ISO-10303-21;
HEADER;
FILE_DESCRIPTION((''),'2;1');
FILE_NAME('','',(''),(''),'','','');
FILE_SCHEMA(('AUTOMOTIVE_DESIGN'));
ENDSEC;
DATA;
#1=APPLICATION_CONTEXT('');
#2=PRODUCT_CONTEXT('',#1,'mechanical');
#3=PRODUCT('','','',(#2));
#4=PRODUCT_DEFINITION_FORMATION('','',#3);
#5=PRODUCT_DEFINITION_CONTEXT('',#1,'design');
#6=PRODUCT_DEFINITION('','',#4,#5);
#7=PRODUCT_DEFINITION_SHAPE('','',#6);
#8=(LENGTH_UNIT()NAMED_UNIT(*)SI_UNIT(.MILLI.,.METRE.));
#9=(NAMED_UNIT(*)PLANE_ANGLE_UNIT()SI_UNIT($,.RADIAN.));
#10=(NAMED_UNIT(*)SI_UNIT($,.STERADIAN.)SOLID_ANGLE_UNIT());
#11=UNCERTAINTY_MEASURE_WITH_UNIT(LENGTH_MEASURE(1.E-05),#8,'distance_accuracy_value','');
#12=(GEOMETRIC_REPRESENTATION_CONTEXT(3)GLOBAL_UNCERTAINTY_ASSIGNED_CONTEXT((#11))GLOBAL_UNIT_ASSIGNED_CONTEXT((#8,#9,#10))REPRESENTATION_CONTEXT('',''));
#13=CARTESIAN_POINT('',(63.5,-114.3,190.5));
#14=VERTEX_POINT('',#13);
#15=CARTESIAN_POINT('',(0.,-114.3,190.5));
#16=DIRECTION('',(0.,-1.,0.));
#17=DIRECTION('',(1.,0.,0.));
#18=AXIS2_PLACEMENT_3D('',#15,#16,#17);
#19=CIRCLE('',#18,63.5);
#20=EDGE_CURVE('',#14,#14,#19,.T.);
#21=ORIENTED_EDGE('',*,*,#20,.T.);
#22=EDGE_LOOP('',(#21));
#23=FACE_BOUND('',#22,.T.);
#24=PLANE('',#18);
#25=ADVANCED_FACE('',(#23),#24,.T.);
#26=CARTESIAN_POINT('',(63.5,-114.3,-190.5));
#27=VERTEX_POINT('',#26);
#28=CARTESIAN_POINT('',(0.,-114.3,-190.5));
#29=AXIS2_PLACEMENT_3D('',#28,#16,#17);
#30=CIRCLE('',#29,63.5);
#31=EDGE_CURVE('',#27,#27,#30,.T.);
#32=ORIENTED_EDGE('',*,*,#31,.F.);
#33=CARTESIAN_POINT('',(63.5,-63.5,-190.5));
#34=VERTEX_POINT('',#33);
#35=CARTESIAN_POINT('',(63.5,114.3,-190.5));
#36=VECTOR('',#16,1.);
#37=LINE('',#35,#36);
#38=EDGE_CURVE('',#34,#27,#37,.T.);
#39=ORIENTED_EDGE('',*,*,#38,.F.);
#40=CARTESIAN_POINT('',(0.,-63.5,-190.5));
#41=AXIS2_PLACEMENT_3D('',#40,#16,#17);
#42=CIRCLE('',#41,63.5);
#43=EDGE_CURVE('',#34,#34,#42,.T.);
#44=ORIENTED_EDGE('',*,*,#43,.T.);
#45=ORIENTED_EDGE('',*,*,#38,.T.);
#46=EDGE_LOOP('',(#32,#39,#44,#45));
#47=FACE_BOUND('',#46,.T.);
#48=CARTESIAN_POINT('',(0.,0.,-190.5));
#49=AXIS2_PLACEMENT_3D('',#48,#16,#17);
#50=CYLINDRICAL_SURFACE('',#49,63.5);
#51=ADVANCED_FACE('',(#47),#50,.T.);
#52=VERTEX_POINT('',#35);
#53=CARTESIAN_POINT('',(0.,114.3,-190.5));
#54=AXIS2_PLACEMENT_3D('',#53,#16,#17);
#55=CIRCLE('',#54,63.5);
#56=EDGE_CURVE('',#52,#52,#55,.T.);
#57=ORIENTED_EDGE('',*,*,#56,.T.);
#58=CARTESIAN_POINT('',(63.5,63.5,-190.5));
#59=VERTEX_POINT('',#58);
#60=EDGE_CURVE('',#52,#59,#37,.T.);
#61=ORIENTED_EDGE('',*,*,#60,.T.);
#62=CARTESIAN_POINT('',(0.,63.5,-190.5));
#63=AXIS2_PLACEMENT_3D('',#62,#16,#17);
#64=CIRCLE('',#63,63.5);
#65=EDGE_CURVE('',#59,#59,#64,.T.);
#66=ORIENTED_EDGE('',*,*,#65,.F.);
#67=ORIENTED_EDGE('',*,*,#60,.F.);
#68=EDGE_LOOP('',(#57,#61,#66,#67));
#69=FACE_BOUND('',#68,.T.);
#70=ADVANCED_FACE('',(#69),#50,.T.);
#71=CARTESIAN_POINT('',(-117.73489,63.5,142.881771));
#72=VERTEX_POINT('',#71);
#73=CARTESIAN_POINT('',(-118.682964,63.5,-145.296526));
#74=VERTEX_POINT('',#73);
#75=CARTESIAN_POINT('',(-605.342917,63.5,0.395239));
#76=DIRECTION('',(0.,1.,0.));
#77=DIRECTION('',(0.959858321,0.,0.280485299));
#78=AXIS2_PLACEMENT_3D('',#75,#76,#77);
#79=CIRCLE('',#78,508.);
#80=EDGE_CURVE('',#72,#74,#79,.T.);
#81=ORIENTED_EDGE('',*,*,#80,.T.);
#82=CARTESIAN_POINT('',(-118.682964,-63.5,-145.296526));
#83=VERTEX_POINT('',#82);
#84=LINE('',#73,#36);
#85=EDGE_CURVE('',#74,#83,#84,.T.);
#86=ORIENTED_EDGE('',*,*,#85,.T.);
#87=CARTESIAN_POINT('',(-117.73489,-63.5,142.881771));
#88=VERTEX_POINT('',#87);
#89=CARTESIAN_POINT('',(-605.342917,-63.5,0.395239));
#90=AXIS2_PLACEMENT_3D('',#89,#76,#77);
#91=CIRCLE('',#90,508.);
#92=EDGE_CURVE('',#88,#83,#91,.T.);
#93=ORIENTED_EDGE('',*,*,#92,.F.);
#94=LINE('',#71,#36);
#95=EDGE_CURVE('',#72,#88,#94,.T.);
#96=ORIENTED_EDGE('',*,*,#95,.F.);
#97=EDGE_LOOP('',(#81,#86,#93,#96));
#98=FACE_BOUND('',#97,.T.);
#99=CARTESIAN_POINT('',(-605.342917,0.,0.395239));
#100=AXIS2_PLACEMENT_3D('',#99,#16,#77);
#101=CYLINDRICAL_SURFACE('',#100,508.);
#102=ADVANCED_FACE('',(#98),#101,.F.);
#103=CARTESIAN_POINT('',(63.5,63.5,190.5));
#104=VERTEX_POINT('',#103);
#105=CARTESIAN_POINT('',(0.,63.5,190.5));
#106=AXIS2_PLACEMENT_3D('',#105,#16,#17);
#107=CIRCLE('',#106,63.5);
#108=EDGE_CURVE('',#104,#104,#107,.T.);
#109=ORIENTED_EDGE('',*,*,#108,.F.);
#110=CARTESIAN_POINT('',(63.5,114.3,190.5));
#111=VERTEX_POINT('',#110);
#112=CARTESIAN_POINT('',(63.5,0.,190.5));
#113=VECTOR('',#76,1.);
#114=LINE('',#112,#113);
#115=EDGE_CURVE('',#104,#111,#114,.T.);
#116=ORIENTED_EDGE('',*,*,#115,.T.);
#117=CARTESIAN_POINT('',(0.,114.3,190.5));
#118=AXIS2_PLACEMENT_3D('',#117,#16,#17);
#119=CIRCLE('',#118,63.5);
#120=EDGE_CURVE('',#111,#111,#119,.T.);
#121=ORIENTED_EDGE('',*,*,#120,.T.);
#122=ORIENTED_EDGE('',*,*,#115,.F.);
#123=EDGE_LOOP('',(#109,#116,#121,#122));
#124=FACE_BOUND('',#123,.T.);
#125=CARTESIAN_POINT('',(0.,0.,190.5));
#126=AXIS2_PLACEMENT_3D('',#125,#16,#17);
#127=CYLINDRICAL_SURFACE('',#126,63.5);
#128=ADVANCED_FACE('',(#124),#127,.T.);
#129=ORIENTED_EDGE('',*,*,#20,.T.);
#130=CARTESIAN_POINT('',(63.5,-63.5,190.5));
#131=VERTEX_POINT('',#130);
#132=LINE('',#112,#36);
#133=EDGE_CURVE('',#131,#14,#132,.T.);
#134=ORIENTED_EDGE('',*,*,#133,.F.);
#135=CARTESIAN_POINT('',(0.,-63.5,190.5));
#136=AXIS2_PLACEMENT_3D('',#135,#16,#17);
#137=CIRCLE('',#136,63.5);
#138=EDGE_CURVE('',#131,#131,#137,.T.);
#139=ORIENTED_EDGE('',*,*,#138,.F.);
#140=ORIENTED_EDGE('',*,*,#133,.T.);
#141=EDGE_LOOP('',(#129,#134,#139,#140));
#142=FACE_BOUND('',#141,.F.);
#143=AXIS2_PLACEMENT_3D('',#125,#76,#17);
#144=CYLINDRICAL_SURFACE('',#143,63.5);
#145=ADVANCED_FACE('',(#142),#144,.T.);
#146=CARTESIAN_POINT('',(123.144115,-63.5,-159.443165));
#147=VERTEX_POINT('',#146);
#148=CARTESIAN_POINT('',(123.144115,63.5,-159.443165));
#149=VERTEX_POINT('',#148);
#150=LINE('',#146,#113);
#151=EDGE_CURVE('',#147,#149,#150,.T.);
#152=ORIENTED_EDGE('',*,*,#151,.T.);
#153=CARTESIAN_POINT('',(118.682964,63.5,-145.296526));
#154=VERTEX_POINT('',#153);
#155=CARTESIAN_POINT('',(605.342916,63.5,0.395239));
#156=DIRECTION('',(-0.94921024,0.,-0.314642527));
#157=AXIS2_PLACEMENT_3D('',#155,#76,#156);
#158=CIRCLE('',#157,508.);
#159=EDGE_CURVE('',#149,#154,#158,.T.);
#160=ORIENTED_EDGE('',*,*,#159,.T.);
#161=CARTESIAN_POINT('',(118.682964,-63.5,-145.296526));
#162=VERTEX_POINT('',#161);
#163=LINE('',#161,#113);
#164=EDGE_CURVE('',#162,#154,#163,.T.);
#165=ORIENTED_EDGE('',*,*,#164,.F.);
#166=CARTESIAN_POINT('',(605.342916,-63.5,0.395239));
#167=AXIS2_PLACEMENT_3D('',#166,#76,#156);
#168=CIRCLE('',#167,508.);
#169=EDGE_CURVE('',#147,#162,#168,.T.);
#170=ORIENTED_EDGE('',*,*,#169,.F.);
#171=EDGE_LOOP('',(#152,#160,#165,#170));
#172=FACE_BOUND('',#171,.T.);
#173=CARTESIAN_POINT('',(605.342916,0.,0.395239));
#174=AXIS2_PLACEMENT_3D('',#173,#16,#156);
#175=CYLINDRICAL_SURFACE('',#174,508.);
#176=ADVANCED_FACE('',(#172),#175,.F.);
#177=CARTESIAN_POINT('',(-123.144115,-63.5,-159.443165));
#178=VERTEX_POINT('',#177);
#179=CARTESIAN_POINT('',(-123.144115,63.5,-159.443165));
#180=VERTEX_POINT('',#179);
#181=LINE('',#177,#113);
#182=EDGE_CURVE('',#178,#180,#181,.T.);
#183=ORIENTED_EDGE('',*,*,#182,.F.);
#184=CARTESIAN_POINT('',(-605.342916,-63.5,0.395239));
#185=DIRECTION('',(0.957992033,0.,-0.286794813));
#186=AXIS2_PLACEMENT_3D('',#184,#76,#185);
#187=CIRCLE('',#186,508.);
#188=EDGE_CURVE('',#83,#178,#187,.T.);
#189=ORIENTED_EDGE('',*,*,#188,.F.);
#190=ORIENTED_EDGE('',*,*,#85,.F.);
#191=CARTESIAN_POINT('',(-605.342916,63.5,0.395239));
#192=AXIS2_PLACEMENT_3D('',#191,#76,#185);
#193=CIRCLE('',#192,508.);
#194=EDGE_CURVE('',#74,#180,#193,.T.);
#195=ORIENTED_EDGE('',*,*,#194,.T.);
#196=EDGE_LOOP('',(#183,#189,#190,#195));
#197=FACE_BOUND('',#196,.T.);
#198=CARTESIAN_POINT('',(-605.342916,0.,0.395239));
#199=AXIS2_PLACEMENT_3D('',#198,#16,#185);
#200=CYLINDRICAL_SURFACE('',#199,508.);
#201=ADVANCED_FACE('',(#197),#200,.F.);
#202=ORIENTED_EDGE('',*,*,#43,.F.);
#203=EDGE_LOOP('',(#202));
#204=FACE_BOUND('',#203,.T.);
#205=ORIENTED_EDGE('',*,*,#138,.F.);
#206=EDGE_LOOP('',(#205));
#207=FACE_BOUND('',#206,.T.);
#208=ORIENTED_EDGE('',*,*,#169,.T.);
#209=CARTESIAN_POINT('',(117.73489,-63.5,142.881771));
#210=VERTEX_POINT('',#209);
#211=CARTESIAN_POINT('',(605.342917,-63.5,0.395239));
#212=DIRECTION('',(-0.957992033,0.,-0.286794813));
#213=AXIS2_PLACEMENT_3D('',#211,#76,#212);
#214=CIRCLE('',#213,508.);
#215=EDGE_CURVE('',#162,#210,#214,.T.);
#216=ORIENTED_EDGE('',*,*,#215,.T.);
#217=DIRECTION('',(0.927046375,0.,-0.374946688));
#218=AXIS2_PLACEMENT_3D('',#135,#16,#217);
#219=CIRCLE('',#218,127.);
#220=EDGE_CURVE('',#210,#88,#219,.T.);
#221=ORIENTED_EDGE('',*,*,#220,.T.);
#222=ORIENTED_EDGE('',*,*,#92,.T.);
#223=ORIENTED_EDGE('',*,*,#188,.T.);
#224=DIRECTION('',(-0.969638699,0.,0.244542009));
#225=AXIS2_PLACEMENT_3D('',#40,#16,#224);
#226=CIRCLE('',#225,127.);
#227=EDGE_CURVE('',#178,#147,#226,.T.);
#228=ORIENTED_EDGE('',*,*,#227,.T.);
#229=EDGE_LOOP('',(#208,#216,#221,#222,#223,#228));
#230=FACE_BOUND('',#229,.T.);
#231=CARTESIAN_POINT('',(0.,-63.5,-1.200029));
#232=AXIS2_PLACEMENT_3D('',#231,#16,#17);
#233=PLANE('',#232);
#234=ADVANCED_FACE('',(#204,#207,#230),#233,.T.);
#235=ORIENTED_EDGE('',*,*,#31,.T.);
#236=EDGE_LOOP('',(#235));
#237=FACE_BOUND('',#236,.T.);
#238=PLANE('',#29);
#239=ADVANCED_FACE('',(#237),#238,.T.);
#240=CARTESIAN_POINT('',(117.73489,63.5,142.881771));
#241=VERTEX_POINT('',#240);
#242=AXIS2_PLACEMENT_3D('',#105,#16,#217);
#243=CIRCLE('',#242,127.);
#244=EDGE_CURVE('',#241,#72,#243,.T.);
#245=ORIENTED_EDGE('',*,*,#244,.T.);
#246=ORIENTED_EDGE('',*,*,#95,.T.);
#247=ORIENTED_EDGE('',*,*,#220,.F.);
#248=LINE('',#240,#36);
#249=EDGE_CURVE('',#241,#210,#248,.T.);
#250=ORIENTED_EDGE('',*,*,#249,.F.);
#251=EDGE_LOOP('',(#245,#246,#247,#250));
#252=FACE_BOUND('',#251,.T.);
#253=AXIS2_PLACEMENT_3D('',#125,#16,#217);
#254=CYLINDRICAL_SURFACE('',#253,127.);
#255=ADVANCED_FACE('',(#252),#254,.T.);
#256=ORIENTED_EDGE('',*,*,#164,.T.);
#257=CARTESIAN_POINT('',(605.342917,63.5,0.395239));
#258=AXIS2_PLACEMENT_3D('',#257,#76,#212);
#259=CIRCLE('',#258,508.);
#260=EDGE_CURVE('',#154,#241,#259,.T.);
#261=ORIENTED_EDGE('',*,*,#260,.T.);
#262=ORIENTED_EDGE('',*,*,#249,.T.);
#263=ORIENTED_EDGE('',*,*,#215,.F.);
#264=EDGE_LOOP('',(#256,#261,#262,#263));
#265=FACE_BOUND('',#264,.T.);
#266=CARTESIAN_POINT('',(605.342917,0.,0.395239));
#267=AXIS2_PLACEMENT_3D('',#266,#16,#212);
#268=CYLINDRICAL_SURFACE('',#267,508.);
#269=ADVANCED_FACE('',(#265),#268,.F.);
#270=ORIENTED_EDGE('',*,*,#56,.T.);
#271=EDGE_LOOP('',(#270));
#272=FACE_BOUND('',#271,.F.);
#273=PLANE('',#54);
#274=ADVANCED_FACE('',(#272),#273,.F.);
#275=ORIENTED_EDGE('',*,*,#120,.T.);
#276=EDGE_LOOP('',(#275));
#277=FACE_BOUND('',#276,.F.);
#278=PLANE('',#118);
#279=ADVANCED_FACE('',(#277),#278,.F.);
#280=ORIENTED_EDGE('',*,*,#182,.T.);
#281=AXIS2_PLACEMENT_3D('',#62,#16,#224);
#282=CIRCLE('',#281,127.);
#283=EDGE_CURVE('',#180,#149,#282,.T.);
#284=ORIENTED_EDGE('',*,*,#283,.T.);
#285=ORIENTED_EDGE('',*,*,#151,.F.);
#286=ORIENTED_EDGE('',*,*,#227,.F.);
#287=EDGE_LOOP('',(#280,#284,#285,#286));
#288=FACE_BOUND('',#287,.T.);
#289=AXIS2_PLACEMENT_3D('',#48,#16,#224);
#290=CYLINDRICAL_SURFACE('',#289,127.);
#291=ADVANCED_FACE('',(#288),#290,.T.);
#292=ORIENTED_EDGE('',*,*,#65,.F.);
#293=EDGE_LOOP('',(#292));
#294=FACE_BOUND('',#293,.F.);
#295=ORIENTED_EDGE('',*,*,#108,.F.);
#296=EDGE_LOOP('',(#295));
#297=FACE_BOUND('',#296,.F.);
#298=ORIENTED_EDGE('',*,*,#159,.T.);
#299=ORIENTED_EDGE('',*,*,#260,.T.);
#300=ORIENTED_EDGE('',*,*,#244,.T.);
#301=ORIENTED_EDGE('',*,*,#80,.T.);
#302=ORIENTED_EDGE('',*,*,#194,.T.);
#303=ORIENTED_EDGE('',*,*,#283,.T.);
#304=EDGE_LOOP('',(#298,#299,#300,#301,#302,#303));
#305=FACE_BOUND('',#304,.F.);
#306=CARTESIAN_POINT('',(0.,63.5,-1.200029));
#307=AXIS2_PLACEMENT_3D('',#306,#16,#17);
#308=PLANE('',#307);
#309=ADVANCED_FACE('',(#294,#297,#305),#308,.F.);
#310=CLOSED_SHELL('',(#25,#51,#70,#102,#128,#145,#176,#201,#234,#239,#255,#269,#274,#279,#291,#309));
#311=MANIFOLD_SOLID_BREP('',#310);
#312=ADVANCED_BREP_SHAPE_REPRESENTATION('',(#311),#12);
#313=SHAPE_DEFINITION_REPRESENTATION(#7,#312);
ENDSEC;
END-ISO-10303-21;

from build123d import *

# Parameters (mm, degrees)
F0_R     = 63.5
F1_DEPTH = 63.5
F2_R     = 63.5
F3_DEPTH = 114.3


with BuildPart() as f1:
    # F0 (on Front) → F1 (new body, symmetric)
    with BuildSketch(Plane.XZ):
        with BuildLine():
            ThreePointArc((118.6829640204, -145.2965261143), (97.3456659437, -1.2760155614), (117.7348895946, 142.88177059))
            ThreePointArc((117.7348895946, 142.88177059), (0, 317.5), (-117.7348895946, 142.88177059))
            ThreePointArc((-117.7348895946, 142.88177059), (-97.3456659437, -1.2760155614), (-118.6829640204, -145.2965261143))
            ThreePointArc((-118.6829640204, -145.2965261143), (-120.8619021415, -152.3861293068), (-123.1441147186, -159.4431648398))
            ThreePointArc((-123.1441147186, -159.4431648398), (0, -317.5), (123.1441147186, -159.4431648398))
            ThreePointArc((123.1441147186, -159.4431648398), (120.8619021415, -152.3861293068), (118.6829640204, -145.2965261143))
        make_face()
        with Locations((0, -190.5)):
            Circle(F0_R, mode=Mode.SUBTRACT)
        with Locations((0, 190.5)):
            Circle(F0_R, mode=Mode.SUBTRACT)
    extrude(amount=F1_DEPTH, both=True)

    # F2 (on Front) → F3 (join, symmetric)
    with BuildSketch(Plane.XZ):
        with Locations((0, 190.5)):
            Circle(F2_R)
        with Locations((0, -190.5)):
            Circle(F2_R)
    extrude(amount=F3_DEPTH, both=True)


solid = f1.part
